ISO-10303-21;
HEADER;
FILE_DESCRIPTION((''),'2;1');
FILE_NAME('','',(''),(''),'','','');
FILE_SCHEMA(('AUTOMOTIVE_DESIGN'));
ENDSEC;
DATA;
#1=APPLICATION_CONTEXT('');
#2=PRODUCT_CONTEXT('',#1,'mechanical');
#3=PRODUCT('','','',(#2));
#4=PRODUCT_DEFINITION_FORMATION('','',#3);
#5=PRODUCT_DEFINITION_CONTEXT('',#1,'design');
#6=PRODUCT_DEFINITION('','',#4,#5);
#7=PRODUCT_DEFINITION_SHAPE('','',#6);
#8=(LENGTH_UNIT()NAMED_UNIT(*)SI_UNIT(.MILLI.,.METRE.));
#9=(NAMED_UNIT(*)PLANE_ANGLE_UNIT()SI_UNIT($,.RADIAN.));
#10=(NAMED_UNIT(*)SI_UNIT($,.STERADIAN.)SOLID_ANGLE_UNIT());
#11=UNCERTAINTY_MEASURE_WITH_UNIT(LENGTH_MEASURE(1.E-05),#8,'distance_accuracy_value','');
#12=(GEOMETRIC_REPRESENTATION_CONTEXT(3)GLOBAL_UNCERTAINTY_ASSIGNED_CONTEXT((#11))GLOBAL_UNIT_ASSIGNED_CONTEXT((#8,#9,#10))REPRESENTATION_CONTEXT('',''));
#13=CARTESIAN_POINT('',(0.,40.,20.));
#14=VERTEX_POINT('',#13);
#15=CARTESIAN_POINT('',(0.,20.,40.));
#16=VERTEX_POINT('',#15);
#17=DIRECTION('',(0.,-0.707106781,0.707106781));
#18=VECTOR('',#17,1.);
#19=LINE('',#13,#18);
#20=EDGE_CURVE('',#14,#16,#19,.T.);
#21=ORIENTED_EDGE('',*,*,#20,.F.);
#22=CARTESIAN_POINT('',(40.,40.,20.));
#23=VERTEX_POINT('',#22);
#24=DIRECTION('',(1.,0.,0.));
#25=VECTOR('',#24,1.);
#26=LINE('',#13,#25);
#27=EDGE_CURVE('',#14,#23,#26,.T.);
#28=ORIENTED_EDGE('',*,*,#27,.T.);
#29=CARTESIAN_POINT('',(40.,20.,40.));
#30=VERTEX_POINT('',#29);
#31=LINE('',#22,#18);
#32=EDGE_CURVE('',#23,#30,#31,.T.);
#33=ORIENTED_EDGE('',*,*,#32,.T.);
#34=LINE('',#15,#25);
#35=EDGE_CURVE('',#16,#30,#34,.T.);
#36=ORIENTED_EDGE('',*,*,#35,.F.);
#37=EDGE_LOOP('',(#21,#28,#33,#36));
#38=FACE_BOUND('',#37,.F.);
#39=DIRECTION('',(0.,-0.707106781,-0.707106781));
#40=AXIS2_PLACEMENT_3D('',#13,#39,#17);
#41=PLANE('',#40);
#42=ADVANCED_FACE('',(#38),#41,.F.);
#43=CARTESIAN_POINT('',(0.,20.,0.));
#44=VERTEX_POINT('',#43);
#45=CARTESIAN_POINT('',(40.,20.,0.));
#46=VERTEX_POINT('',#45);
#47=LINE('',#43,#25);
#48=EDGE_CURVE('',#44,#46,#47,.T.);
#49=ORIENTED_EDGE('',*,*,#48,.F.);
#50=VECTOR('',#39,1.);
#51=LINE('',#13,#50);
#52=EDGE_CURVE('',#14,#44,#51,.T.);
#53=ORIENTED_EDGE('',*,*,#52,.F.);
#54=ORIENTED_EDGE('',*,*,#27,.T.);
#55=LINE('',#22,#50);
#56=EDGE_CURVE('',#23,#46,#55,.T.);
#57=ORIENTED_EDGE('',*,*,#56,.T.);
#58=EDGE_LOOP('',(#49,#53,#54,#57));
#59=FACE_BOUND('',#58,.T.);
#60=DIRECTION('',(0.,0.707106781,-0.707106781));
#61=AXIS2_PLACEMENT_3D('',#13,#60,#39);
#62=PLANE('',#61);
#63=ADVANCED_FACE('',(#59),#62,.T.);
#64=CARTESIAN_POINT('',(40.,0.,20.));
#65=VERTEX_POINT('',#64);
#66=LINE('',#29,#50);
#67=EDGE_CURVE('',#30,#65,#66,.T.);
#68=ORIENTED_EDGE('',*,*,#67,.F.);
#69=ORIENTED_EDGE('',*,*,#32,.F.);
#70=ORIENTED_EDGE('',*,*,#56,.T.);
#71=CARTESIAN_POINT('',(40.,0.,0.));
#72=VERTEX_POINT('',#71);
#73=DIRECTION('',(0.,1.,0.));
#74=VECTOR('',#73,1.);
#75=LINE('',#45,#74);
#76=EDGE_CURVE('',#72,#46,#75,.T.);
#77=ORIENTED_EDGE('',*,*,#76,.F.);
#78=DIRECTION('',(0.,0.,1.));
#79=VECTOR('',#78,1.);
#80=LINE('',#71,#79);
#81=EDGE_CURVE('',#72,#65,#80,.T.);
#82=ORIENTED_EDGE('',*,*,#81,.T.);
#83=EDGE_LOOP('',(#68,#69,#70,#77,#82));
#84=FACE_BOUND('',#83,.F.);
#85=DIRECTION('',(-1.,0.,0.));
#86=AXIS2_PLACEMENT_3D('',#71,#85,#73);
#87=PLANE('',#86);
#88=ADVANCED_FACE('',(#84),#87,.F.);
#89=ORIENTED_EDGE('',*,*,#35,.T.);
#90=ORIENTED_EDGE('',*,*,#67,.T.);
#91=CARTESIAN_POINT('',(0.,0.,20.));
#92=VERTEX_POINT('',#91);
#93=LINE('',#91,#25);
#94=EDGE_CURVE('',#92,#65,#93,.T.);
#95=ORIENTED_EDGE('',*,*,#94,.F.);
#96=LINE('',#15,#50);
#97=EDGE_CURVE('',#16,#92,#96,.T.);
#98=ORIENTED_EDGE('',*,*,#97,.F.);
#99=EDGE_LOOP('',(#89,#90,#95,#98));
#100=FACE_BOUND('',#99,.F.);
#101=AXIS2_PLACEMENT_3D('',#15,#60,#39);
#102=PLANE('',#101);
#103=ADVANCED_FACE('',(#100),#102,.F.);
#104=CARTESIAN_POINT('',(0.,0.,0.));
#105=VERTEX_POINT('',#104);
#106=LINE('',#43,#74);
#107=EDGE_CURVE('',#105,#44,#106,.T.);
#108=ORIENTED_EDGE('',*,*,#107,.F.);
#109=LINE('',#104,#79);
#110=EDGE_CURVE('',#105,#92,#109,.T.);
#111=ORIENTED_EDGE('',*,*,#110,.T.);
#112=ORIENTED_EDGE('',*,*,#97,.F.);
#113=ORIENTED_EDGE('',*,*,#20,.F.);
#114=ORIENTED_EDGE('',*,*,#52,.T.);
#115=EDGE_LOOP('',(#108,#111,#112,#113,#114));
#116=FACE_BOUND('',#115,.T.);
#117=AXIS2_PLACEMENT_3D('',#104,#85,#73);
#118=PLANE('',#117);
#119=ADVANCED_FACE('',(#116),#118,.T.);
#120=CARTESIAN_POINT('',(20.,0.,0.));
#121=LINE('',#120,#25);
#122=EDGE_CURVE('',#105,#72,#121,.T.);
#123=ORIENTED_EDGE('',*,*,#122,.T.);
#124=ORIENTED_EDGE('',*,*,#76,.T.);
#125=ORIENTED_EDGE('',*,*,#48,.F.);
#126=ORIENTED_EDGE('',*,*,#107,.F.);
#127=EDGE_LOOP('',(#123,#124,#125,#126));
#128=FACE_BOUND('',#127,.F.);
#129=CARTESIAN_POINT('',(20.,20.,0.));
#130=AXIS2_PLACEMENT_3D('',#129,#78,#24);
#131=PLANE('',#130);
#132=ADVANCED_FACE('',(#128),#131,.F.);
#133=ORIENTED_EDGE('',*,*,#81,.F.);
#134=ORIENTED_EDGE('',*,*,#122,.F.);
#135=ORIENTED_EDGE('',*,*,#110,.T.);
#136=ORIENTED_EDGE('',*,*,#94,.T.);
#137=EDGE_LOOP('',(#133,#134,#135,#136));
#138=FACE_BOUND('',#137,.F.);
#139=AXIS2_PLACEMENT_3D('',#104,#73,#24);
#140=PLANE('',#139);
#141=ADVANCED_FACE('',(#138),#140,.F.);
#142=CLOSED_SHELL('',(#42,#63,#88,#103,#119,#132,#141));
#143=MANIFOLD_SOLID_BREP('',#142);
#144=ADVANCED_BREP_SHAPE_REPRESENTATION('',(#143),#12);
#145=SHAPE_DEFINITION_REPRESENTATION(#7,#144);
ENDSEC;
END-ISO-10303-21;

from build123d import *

# Parameters (mm, degrees)
SKETCH1_W           = 40
SKETCH1_H           = 40
BOSS_EXTRUDE1_DEPTH = 40
CUT_EXTRUDE1_DEPTH  = 40
CUT_EXTRUDE2_DEPTH  = 40


with BuildPart() as part:
    # Sketch1 → Boss-Extrude1 (new body)
    with BuildSketch(Plane.XY):
        with Locations((20, 20)):
            Rectangle(SKETCH1_W, SKETCH1_H)
    extrude(amount=BOSS_EXTRUDE1_DEPTH)

    # Sketch2 → Cut-Extrude1 (cut)
    with BuildSketch(Plane.ZY):
        Polygon((20, 40), (40, 20), (40, 40), align=None)
        Polygon((40, 20), (20, 0), (40, 0), align=None)
    extrude(amount=-CUT_EXTRUDE1_DEPTH, mode=Mode.SUBTRACT)

    # Sketch3 → Cut-Extrude2 (cut)
    with BuildSketch(Plane(origin=(0, 0, 0), x_dir=(0, 0, -1), z_dir=(1, 0, 0))):
        Polygon((-20, 40), (0, 20), (0, 40), align=None)
    extrude(amount=CUT_EXTRUDE2_DEPTH, mode=Mode.SUBTRACT)


solid = part.part
